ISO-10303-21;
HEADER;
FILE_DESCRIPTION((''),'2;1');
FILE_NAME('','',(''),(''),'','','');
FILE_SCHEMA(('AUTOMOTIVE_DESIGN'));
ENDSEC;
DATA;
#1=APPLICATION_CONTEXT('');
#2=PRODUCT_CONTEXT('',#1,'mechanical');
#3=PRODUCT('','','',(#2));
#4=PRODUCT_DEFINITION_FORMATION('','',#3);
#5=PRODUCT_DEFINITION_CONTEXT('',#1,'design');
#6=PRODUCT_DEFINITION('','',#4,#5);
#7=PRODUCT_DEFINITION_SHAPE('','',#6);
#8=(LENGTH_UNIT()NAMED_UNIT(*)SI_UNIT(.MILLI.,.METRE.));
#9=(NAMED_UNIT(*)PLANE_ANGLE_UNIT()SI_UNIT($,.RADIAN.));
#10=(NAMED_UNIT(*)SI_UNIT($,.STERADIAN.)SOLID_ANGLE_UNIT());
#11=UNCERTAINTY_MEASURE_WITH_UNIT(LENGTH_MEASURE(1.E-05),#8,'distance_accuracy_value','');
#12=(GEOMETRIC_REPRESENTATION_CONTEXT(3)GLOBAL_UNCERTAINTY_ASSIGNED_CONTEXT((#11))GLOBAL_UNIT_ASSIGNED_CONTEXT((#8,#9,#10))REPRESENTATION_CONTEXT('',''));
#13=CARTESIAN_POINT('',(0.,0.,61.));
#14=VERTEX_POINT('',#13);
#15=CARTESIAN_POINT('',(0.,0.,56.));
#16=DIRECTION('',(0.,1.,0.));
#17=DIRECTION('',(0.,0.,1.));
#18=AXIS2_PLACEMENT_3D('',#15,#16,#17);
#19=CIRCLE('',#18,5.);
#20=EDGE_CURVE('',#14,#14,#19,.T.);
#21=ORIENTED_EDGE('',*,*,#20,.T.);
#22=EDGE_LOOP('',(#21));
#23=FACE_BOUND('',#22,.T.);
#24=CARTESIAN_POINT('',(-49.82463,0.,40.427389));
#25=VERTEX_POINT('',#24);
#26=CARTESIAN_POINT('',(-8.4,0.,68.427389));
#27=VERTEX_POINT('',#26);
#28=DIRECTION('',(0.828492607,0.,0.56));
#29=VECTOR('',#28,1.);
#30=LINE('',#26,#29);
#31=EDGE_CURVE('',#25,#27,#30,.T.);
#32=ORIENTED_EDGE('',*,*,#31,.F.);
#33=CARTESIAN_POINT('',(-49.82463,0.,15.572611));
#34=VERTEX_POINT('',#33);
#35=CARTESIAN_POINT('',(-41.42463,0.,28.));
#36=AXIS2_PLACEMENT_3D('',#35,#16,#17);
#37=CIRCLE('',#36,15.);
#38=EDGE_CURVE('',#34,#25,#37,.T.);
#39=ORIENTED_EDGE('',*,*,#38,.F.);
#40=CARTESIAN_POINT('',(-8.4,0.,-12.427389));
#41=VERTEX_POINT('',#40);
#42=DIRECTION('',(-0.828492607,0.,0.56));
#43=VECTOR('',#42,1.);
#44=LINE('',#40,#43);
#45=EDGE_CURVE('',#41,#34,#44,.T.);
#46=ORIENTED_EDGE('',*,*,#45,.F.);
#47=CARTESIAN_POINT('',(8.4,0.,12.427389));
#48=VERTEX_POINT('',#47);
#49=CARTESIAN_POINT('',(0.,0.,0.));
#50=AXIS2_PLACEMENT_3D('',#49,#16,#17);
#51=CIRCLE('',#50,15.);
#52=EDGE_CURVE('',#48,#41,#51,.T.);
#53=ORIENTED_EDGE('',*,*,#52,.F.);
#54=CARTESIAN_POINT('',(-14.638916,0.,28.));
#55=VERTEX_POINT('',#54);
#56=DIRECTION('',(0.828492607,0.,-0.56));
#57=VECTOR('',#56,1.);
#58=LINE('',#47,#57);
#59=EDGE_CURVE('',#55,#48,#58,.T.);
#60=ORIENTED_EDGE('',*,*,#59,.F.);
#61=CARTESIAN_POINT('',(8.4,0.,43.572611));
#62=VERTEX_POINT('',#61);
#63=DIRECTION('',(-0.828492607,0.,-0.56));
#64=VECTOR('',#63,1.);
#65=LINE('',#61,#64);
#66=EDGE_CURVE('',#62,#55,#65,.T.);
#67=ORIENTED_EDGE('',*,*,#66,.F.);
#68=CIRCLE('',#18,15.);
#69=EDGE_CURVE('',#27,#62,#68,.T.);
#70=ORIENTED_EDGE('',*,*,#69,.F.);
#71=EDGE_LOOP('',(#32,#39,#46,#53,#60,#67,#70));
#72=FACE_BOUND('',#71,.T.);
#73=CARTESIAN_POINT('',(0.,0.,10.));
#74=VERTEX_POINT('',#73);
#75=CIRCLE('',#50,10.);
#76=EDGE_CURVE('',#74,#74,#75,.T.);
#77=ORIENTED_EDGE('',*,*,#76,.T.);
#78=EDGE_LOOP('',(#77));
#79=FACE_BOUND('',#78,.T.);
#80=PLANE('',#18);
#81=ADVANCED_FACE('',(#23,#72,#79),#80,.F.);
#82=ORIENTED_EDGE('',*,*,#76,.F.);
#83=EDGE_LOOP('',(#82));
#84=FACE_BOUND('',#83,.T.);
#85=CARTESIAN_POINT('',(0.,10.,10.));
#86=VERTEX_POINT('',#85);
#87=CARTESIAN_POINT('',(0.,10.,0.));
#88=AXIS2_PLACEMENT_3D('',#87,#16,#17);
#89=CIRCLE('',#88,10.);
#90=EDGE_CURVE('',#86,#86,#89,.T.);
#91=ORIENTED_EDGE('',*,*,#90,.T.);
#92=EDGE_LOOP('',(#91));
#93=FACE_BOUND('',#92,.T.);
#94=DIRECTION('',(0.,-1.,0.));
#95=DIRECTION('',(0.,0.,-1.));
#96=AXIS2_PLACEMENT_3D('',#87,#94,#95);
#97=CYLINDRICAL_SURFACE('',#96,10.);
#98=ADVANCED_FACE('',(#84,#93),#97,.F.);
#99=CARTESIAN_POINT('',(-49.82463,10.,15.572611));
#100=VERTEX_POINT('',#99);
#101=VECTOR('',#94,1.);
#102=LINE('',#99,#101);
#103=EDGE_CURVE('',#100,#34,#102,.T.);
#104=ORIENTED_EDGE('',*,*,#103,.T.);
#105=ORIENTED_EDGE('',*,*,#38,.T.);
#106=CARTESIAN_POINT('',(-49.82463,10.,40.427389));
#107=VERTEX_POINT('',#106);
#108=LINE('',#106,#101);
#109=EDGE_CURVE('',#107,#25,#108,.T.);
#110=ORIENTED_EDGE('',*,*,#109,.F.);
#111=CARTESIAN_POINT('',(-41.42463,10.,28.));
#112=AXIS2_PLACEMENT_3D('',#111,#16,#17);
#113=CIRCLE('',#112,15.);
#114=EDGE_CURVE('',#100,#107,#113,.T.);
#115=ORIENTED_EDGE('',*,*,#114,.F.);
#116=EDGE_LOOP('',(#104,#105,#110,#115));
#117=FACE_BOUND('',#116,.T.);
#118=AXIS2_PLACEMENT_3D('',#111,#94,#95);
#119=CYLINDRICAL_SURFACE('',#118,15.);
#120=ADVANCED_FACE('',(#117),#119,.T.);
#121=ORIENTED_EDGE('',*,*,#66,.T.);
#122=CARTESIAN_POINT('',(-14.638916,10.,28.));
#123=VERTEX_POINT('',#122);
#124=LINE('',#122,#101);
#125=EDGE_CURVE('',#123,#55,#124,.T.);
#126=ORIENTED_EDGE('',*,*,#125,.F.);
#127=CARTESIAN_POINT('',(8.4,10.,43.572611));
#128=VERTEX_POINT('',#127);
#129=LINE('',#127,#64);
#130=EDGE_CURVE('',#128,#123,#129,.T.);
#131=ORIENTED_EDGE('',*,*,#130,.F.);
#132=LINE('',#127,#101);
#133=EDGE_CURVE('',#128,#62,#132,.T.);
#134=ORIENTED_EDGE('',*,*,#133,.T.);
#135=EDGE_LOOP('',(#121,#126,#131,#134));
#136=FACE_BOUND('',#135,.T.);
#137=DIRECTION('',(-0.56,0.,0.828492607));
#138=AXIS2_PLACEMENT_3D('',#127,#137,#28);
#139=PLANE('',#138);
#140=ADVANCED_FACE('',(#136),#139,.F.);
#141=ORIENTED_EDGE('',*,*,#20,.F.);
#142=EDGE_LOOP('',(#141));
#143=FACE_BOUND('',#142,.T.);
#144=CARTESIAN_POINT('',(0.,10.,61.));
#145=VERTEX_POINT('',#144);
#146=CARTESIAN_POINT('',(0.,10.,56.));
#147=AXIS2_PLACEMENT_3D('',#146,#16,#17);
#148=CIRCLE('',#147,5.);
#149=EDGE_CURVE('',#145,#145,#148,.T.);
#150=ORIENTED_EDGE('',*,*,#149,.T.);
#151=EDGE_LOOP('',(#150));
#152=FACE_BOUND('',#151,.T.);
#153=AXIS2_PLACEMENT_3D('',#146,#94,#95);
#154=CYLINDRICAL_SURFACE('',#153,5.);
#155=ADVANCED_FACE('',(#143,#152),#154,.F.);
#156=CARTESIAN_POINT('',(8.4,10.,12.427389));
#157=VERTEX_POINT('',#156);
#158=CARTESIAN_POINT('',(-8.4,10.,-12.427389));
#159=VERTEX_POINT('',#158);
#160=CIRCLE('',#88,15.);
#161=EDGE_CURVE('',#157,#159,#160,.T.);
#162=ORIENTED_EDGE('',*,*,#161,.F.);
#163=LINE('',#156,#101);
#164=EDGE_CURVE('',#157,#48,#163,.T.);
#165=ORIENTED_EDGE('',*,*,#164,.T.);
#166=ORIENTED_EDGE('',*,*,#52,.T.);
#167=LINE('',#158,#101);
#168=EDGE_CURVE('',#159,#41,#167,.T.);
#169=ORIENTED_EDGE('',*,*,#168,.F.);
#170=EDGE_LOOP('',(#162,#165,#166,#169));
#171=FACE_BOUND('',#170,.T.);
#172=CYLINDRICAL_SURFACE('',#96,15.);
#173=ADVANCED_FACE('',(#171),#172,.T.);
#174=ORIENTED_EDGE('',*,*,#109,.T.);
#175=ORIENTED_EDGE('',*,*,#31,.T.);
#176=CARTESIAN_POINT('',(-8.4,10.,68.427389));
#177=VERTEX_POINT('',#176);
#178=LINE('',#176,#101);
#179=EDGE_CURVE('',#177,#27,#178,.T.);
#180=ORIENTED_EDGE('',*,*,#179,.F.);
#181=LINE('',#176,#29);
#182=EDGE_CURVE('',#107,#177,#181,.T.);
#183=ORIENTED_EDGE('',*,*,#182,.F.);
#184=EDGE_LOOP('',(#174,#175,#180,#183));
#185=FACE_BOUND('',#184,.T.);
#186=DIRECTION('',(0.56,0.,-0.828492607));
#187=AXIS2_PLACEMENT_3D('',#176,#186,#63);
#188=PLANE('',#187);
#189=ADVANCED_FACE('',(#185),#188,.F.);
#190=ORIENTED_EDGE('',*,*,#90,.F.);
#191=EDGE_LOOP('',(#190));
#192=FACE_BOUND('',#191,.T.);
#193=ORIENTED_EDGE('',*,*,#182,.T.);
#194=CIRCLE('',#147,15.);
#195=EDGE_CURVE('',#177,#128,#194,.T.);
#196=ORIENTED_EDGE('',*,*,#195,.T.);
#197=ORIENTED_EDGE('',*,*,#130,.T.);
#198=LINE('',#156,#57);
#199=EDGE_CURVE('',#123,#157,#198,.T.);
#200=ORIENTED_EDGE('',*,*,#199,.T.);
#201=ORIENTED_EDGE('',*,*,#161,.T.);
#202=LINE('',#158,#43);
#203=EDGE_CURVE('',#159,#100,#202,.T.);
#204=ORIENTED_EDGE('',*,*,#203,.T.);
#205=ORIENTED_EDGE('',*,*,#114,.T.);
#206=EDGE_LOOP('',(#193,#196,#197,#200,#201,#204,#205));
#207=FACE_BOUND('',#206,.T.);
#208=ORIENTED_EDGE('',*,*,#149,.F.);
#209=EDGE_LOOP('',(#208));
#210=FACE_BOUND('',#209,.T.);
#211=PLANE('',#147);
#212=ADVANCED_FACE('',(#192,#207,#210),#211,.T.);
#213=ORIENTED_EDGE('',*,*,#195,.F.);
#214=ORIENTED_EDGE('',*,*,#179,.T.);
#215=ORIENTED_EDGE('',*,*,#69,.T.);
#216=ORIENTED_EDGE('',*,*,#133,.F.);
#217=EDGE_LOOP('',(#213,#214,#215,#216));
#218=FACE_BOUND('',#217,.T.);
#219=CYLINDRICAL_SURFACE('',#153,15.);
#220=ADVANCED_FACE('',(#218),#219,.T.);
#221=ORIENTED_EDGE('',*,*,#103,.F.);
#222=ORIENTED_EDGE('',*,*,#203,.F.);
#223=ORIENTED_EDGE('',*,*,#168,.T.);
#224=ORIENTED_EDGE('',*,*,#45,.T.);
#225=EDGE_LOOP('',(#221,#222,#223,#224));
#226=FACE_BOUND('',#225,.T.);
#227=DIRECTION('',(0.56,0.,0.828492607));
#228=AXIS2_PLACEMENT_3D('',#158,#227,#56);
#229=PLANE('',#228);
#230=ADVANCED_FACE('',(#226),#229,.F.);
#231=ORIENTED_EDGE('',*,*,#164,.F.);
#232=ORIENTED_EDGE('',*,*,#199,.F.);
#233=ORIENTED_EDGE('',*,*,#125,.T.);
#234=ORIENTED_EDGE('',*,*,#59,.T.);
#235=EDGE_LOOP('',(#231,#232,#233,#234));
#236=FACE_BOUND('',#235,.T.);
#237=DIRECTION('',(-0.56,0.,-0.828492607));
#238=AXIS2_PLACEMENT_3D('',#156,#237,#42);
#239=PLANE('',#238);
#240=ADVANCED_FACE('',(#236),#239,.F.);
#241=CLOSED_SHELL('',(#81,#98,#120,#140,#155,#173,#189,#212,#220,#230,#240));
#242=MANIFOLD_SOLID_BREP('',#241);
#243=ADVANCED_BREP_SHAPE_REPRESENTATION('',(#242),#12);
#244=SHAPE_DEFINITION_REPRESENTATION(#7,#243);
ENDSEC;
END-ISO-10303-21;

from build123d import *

# Parameters (mm, degrees)
SKETCH1_R           = 10
SKETCH1_R_2         = 5
BOSS_EXTRUDE1_DEPTH = 10


with BuildPart() as part:
    # Sketch1 → Boss-Extrude1 (new body)
    with BuildSketch(Plane(origin=(0, 0, 0), x_dir=(-1, 0, 0), z_dir=(0, 1, 0))):
        with BuildLine():
            Line((8.4, -12.427389106), (49.824630354, 15.572610894))
            ThreePointArc((49.824630354, 15.572610894), (56.424630354, 28), (49.824630354, 40.427389106))
            Line((49.824630354, 40.427389106), (8.4, 68.427389106))
            ThreePointArc((8.4, 68.427389106), (-12.427389106, 64.4), (-8.4, 43.572610894))
            Line((-8.4, 43.572610894), (14.638916069, 28))
            Line((14.638916069, 28), (-8.4, 12.427389106))
            ThreePointArc((-8.4, 12.427389106), (-12.427389106, -8.4), (8.4, -12.427389106))
        make_face()
        with Locations(Location((0, 0, 0), (0, 0, 90))):
            Circle(SKETCH1_R, mode=Mode.SUBTRACT)
        with Locations(Location((0, 56, 0), (0, 0, 90))):
            Circle(SKETCH1_R_2, mode=Mode.SUBTRACT)
    extrude(amount=BOSS_EXTRUDE1_DEPTH)


solid = part.part
